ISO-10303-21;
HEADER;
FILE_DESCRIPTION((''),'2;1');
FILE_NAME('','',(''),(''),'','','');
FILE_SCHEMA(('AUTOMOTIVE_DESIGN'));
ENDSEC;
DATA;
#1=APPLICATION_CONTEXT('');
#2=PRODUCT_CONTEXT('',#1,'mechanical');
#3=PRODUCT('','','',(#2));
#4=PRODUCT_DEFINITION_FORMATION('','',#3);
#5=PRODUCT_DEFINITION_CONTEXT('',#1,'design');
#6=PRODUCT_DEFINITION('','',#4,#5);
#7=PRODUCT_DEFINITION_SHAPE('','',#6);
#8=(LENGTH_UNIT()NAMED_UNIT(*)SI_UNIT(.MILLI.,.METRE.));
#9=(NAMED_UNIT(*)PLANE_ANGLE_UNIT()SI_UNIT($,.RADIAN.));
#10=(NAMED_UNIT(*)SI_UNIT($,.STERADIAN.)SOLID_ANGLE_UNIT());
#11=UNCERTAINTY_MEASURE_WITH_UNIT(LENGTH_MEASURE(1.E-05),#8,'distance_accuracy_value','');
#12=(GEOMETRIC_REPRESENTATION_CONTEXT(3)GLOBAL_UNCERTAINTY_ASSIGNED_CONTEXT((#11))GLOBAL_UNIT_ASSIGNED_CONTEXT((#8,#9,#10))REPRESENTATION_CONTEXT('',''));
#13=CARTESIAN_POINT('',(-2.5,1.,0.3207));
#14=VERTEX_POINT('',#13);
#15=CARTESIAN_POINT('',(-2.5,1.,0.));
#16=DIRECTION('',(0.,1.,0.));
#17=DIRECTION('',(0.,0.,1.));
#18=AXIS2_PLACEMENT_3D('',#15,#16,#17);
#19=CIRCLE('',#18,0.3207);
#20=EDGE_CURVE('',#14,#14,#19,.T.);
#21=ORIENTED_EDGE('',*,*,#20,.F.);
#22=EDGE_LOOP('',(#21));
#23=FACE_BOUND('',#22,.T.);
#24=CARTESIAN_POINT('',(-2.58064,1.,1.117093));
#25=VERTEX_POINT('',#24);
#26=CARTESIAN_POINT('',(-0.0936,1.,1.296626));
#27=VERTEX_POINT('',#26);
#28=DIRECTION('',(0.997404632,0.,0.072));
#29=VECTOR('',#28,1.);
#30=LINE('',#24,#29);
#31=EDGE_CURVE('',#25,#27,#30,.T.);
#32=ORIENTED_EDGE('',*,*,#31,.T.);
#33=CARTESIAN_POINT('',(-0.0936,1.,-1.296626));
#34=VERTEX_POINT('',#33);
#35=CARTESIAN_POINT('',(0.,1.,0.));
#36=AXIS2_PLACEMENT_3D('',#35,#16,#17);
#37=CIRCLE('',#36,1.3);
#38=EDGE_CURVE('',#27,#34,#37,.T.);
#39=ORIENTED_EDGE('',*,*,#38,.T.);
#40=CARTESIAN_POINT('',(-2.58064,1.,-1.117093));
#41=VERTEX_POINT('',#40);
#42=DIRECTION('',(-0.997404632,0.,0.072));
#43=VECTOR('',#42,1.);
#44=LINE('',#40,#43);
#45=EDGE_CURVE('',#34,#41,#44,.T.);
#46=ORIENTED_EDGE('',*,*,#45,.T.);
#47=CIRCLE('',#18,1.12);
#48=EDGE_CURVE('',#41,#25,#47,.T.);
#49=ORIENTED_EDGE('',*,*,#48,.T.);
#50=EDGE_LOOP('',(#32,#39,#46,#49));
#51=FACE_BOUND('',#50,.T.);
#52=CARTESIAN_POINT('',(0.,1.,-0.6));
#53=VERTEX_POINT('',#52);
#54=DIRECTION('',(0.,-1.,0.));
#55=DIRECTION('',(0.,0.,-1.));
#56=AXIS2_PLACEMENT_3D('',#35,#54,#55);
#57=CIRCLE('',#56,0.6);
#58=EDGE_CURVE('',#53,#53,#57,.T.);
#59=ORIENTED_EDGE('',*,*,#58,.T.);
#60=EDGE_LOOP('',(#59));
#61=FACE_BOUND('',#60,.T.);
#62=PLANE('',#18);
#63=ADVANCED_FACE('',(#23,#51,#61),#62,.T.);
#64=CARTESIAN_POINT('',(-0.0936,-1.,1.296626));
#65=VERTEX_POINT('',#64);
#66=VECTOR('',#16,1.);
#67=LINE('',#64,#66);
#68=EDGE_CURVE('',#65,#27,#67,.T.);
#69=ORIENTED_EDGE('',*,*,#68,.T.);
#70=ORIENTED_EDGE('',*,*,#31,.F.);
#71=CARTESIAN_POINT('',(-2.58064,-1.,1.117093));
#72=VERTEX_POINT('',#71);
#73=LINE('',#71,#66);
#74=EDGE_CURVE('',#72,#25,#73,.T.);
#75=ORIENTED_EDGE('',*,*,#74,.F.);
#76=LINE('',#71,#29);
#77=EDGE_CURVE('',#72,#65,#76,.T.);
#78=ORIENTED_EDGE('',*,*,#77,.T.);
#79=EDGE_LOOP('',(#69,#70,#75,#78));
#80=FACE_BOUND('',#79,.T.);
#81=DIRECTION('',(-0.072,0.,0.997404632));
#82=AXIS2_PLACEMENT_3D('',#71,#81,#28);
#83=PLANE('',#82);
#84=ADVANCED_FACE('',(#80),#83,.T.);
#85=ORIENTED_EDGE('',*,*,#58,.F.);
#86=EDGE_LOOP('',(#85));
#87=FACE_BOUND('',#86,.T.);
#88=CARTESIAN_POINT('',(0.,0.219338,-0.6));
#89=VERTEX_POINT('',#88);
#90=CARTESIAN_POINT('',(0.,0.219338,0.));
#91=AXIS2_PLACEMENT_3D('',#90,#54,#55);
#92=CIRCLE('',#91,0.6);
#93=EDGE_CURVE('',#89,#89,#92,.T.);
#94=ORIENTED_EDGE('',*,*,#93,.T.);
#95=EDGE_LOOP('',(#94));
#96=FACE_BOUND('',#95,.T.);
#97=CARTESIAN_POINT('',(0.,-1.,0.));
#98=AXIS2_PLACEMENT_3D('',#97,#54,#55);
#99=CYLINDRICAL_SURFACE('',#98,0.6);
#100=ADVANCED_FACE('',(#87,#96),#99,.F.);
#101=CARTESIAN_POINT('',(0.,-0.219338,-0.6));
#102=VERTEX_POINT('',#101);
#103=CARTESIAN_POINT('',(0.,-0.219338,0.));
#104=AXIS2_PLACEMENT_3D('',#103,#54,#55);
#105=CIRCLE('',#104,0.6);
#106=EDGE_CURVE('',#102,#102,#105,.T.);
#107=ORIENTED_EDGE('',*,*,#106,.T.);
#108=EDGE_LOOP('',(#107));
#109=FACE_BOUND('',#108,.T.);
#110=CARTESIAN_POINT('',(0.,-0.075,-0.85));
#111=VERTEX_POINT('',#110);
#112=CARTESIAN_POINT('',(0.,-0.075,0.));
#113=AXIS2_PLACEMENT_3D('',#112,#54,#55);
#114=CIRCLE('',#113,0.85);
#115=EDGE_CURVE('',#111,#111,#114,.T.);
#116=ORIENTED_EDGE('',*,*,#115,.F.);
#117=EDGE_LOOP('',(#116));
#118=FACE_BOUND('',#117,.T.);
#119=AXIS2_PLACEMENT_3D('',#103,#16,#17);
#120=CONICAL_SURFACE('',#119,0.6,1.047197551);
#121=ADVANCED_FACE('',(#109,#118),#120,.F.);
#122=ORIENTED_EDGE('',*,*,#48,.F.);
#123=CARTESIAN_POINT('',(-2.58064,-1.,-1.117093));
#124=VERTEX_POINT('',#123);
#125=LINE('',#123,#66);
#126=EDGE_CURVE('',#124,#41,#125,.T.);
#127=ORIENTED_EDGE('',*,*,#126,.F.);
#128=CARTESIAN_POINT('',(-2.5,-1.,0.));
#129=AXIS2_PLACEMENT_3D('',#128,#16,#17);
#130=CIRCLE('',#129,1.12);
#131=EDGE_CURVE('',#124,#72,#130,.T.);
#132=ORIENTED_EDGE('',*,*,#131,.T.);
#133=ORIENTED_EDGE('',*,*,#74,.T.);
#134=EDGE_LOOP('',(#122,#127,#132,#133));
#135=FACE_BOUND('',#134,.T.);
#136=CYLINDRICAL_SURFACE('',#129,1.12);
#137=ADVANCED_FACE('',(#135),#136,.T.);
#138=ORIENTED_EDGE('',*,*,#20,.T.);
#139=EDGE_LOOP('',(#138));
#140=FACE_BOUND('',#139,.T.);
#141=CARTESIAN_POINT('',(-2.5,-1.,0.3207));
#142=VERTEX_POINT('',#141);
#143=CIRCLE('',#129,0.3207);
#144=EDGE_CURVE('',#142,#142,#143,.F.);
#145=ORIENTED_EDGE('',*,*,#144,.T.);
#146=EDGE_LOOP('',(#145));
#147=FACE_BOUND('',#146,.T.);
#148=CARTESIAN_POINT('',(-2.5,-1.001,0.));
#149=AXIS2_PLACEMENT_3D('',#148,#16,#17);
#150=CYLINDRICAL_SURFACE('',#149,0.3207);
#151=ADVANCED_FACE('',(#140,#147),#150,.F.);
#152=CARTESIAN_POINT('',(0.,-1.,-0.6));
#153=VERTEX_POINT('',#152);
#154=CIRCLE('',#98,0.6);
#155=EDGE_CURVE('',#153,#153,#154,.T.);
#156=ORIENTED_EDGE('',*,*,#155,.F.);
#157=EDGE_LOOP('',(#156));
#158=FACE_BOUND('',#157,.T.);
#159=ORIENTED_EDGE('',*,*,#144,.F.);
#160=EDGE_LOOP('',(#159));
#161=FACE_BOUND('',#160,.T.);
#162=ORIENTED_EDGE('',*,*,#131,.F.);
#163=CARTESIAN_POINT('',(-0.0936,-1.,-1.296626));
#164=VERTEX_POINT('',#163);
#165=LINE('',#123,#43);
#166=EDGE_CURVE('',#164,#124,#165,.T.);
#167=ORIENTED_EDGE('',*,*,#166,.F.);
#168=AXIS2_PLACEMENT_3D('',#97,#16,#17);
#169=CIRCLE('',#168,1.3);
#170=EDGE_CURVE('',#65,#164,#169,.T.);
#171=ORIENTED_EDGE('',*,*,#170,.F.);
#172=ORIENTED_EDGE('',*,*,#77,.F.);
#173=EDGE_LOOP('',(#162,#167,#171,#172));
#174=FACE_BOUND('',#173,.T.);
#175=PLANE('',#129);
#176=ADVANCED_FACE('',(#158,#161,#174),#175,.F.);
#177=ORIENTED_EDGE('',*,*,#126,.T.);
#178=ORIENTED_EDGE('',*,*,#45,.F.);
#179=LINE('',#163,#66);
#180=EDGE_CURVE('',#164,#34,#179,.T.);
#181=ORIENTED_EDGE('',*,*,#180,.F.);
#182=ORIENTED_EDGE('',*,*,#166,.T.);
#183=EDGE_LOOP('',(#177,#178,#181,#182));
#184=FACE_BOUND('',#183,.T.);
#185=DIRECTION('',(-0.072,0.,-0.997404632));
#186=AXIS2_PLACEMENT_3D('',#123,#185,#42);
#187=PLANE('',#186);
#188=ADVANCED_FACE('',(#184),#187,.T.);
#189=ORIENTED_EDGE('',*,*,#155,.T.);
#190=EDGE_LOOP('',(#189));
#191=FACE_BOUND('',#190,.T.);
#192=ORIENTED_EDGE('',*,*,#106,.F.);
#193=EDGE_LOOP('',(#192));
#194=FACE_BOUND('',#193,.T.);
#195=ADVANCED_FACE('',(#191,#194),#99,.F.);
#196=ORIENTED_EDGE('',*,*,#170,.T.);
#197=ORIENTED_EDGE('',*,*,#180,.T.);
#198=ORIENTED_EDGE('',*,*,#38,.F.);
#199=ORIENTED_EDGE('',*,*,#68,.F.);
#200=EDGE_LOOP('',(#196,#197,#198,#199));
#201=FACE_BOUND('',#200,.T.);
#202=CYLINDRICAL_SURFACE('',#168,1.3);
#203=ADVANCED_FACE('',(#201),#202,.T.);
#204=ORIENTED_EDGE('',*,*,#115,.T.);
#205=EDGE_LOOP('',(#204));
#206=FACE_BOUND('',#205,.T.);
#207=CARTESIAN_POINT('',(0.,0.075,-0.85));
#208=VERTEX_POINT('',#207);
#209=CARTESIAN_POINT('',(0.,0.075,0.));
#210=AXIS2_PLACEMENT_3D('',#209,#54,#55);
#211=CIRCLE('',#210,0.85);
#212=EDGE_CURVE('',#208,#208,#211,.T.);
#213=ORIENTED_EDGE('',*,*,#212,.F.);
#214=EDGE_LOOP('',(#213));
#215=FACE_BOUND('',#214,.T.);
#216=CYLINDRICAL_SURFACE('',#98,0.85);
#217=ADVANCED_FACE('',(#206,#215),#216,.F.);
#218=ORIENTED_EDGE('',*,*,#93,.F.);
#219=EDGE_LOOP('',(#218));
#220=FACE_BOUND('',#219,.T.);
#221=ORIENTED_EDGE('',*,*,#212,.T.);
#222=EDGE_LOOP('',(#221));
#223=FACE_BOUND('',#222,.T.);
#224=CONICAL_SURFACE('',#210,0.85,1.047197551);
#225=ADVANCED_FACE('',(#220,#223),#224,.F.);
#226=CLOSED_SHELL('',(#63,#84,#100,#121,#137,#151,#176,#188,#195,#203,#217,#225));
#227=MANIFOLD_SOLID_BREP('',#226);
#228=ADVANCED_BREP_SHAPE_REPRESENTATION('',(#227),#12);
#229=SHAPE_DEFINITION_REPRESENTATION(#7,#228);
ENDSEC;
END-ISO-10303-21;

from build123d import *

# Parameters (mm, degrees)
BOSS_EXTRUDE1_DEPTH      = 1
BOSS_EXTRUDE1_DEPTH_BACK = 1
CUT_EXTRUDE1_REACH       = 6.335
SKETCH5_R                = 0.3207


with BuildPart() as part:
    # Sketch1 → Boss-Extrude1 (new, two sides: drawn at the far end of the back side and taken through both)
    with BuildSketch(Plane(origin=(0, 0, 0), x_dir=(1, 0, 0), z_dir=(0, 1, 0)).offset(-BOSS_EXTRUDE1_DEPTH_BACK)):
        with BuildLine():
            Line((-2.58064, 1.117093188), (-0.0936, 1.296626022))
            ThreePointArc((-0.0936, 1.296626022), (1.3, 0), (-0.0936, -1.296626022))
            Line((-0.0936, -1.296626022), (-2.58064, -1.117093188))
            ThreePointArc((-2.58064, -1.117093188), (-3.62, 0), (-2.58064, 1.117093188))
        make_face()
    extrude(amount=BOSS_EXTRUDE1_DEPTH + BOSS_EXTRUDE1_DEPTH_BACK)

    # Sketch4 → Cut-Revolve1 (revolve, cut)
    with BuildSketch(Plane.XY):
        Polygon((0.85, 0), (0.85, 0.075), (0.6, 0.219337567), (0.6, 1), (0, 1), (0, -1), (0.6, -1), (0.6, -0.219337567), (0.85, -0.075), align=None)
    revolve(axis=Axis((0, -1, 0), (0, 1, 0)), mode=Mode.SUBTRACT)

    # Sketch5 → Cut-Extrude1 (cut, up to next)
    with BuildSketch(Plane(origin=(0, 1, 0), x_dir=(1, 0, 0), z_dir=(0, 1, 0)), mode=Mode.PRIVATE) as cut_extrude1_sk1:
        with Locations((-2.5, 0)):
            Circle(SKETCH5_R)
    cut_extrude1_tool1 = extrude(cut_extrude1_sk1.sketch, amount=-CUT_EXTRUDE1_REACH, mode=Mode.PRIVATE) & part.part
    add(cut_extrude1_tool1.solids().sort_by_distance((-2.5, 1, 0))[0], mode=Mode.SUBTRACT)


solid = part.part
